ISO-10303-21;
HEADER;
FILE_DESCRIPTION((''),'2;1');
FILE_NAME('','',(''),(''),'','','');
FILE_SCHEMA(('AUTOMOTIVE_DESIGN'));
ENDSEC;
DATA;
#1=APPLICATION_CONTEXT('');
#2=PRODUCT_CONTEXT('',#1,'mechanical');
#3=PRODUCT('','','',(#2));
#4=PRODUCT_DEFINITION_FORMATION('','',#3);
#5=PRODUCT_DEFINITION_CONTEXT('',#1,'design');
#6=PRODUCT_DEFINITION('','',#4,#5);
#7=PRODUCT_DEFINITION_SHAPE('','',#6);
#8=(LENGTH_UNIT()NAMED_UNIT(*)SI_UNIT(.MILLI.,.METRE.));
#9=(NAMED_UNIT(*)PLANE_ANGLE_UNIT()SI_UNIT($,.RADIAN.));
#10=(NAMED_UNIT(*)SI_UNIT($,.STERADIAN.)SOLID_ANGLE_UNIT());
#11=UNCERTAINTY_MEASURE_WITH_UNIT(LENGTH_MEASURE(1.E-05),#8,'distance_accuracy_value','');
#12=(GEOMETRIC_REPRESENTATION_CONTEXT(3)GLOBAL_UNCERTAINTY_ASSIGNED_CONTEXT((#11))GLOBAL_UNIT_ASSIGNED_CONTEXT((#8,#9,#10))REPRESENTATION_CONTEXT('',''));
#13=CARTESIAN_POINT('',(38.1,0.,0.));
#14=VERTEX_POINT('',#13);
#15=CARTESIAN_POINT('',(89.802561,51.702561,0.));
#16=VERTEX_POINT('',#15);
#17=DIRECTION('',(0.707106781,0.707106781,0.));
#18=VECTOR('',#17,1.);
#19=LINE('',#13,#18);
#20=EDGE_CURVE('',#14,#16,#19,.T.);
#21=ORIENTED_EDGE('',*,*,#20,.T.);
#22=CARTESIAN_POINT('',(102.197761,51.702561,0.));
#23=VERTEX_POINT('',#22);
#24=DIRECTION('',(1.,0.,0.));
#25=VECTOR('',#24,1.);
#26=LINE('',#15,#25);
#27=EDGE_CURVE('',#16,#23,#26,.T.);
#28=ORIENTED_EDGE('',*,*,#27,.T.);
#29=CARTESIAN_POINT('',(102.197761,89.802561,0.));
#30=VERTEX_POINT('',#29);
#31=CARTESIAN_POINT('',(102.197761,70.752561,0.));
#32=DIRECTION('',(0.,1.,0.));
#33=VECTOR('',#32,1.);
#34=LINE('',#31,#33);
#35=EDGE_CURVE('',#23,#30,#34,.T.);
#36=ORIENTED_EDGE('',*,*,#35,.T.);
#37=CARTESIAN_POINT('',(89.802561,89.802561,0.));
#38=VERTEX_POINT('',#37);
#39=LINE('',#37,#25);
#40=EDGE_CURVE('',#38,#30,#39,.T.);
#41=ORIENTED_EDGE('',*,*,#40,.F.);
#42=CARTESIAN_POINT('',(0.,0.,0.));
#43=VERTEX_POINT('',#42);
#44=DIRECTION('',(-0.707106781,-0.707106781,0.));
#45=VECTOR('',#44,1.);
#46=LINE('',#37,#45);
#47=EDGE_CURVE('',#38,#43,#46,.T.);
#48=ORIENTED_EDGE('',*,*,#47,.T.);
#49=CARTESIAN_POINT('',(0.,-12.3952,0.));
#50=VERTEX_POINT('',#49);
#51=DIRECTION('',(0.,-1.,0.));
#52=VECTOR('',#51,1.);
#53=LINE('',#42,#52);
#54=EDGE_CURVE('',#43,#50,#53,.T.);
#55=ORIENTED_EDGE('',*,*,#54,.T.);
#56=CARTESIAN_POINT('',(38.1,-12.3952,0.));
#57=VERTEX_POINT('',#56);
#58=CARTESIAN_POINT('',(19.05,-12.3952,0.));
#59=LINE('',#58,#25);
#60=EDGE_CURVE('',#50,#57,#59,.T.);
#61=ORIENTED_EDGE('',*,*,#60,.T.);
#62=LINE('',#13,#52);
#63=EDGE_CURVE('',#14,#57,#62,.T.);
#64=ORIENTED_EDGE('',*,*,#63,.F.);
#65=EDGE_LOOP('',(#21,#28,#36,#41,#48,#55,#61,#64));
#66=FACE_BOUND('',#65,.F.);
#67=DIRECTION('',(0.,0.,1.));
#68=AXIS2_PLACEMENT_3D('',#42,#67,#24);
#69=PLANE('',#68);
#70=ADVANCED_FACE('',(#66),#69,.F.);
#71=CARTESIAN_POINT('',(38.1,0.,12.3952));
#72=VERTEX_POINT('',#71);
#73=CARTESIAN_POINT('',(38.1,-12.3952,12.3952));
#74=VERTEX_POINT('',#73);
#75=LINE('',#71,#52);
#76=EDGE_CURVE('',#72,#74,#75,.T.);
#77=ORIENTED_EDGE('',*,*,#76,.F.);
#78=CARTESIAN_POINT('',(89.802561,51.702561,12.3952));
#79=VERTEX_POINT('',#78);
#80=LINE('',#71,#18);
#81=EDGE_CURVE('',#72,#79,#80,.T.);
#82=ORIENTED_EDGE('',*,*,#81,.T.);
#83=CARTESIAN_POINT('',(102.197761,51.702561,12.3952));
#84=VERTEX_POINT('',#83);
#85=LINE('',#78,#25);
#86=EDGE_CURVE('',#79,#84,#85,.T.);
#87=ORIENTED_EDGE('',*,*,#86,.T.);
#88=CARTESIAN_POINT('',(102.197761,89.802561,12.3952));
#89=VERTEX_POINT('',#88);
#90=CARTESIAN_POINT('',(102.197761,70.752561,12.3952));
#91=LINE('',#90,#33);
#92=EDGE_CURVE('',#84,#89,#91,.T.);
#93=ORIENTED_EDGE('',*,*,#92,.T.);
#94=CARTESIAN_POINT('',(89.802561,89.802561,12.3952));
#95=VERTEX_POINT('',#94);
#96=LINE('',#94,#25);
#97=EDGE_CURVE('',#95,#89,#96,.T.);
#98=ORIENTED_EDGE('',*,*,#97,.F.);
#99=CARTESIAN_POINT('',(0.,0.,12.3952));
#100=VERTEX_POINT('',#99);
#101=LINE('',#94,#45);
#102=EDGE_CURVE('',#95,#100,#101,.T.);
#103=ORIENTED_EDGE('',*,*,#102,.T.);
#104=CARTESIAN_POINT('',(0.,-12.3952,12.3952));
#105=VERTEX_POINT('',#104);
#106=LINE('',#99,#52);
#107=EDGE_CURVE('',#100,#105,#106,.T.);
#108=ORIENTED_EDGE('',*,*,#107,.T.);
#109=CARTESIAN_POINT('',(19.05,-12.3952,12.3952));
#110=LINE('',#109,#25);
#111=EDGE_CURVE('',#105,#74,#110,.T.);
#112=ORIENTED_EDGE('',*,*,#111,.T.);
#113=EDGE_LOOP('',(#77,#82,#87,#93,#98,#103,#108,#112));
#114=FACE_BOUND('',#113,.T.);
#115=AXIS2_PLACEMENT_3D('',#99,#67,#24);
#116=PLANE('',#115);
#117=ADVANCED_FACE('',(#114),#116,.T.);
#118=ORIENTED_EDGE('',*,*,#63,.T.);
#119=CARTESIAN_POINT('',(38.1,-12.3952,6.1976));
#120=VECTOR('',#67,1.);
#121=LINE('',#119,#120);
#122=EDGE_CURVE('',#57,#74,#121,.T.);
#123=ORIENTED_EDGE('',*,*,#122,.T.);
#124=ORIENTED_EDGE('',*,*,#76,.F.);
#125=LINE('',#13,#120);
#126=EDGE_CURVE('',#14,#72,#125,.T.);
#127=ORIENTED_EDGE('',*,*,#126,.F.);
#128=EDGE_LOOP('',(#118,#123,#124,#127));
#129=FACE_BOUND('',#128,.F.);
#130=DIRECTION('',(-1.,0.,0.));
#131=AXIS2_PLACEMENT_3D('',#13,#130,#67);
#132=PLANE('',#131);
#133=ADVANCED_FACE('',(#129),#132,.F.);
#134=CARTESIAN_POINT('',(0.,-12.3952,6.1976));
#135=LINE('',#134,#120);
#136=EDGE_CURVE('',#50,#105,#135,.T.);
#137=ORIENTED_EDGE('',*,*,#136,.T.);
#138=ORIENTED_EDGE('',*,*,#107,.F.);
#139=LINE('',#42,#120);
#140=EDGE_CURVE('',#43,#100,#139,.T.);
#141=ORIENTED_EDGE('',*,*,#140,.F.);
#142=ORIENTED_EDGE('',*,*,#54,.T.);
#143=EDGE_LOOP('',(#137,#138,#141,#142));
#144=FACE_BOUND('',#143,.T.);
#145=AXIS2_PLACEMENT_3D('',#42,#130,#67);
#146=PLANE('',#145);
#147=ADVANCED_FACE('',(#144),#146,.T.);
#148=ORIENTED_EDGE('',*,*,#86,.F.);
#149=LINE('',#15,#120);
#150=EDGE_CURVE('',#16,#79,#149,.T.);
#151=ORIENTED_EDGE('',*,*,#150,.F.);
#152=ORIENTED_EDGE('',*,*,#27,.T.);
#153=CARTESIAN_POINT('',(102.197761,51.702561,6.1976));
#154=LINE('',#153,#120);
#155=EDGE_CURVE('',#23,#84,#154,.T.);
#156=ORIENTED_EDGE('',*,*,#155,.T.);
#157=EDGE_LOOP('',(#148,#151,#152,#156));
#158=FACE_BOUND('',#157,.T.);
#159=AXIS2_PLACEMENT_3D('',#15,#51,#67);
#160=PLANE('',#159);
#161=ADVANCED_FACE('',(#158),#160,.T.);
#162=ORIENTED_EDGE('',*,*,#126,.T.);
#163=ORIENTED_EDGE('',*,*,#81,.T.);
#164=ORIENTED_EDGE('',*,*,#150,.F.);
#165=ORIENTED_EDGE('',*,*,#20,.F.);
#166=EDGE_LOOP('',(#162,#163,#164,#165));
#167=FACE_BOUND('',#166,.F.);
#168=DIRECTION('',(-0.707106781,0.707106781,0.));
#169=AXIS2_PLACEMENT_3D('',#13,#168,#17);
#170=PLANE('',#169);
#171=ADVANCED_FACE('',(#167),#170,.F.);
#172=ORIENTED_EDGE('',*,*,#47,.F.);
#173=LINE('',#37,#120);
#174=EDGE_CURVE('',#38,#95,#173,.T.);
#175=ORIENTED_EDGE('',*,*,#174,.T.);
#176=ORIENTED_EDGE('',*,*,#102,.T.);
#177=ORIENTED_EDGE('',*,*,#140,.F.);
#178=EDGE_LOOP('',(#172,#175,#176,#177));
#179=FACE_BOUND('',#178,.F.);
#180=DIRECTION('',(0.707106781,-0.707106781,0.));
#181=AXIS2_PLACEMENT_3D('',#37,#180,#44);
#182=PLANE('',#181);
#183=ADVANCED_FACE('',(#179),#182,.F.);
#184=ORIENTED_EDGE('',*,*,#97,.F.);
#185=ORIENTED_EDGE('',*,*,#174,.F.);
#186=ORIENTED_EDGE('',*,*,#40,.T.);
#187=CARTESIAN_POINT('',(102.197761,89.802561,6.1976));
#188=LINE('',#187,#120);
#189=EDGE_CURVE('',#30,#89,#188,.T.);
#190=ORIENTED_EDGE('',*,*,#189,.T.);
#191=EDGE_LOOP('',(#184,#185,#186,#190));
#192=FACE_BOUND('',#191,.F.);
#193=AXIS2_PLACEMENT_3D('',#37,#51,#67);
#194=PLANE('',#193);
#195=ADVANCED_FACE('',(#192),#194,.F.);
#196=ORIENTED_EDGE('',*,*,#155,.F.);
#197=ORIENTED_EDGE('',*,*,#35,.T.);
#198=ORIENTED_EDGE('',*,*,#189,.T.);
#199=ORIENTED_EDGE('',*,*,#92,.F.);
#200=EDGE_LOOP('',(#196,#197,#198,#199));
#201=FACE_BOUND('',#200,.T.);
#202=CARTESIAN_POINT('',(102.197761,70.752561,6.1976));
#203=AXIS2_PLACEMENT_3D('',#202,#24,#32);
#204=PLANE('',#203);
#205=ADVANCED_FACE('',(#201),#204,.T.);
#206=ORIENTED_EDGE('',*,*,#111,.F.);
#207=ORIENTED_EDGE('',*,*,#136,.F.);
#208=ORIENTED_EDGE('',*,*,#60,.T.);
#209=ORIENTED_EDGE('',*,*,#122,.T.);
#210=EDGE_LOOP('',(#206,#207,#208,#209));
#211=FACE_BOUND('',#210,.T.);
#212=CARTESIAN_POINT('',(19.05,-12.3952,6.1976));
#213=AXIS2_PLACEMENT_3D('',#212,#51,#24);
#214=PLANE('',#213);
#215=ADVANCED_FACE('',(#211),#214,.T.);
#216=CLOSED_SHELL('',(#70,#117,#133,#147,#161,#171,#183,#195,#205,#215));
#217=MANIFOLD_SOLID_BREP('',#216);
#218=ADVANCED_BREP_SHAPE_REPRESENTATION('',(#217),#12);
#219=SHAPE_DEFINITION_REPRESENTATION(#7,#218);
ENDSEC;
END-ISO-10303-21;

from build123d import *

# Parameters (mm, degrees)
F1_DEPTH = 12.3952
F2_W     = 38.1
F2_H     = 12.3952
F3_DEPTH = 12.3952
F4_W     = 38.1
F4_H     = 12.3952
F5_DEPTH = 12.3952


with BuildPart() as f1:
    # F0 (on Top) → F1 (new body)
    with BuildSketch(Plane.XY):
        Polygon((89.802561, 89.802561), (0, 0), (38.1, 0), (89.802561, 51.702561), align=None)
    extrude(amount=F1_DEPTH)

    # F2 (on face) → F3 (join)
    with BuildSketch(Plane.YZ.offset(89.802561)):
        with Locations((70.752561, 6.1976)):
            Rectangle(F2_W, F2_H)
    extrude(amount=F3_DEPTH)

    # F4 (on face) → F5 (join)
    with BuildSketch(Plane.XZ):
        with Locations((19.05, 6.1976)):
            Rectangle(F4_W, F4_H)
    extrude(amount=F5_DEPTH)


solid = f1.part
